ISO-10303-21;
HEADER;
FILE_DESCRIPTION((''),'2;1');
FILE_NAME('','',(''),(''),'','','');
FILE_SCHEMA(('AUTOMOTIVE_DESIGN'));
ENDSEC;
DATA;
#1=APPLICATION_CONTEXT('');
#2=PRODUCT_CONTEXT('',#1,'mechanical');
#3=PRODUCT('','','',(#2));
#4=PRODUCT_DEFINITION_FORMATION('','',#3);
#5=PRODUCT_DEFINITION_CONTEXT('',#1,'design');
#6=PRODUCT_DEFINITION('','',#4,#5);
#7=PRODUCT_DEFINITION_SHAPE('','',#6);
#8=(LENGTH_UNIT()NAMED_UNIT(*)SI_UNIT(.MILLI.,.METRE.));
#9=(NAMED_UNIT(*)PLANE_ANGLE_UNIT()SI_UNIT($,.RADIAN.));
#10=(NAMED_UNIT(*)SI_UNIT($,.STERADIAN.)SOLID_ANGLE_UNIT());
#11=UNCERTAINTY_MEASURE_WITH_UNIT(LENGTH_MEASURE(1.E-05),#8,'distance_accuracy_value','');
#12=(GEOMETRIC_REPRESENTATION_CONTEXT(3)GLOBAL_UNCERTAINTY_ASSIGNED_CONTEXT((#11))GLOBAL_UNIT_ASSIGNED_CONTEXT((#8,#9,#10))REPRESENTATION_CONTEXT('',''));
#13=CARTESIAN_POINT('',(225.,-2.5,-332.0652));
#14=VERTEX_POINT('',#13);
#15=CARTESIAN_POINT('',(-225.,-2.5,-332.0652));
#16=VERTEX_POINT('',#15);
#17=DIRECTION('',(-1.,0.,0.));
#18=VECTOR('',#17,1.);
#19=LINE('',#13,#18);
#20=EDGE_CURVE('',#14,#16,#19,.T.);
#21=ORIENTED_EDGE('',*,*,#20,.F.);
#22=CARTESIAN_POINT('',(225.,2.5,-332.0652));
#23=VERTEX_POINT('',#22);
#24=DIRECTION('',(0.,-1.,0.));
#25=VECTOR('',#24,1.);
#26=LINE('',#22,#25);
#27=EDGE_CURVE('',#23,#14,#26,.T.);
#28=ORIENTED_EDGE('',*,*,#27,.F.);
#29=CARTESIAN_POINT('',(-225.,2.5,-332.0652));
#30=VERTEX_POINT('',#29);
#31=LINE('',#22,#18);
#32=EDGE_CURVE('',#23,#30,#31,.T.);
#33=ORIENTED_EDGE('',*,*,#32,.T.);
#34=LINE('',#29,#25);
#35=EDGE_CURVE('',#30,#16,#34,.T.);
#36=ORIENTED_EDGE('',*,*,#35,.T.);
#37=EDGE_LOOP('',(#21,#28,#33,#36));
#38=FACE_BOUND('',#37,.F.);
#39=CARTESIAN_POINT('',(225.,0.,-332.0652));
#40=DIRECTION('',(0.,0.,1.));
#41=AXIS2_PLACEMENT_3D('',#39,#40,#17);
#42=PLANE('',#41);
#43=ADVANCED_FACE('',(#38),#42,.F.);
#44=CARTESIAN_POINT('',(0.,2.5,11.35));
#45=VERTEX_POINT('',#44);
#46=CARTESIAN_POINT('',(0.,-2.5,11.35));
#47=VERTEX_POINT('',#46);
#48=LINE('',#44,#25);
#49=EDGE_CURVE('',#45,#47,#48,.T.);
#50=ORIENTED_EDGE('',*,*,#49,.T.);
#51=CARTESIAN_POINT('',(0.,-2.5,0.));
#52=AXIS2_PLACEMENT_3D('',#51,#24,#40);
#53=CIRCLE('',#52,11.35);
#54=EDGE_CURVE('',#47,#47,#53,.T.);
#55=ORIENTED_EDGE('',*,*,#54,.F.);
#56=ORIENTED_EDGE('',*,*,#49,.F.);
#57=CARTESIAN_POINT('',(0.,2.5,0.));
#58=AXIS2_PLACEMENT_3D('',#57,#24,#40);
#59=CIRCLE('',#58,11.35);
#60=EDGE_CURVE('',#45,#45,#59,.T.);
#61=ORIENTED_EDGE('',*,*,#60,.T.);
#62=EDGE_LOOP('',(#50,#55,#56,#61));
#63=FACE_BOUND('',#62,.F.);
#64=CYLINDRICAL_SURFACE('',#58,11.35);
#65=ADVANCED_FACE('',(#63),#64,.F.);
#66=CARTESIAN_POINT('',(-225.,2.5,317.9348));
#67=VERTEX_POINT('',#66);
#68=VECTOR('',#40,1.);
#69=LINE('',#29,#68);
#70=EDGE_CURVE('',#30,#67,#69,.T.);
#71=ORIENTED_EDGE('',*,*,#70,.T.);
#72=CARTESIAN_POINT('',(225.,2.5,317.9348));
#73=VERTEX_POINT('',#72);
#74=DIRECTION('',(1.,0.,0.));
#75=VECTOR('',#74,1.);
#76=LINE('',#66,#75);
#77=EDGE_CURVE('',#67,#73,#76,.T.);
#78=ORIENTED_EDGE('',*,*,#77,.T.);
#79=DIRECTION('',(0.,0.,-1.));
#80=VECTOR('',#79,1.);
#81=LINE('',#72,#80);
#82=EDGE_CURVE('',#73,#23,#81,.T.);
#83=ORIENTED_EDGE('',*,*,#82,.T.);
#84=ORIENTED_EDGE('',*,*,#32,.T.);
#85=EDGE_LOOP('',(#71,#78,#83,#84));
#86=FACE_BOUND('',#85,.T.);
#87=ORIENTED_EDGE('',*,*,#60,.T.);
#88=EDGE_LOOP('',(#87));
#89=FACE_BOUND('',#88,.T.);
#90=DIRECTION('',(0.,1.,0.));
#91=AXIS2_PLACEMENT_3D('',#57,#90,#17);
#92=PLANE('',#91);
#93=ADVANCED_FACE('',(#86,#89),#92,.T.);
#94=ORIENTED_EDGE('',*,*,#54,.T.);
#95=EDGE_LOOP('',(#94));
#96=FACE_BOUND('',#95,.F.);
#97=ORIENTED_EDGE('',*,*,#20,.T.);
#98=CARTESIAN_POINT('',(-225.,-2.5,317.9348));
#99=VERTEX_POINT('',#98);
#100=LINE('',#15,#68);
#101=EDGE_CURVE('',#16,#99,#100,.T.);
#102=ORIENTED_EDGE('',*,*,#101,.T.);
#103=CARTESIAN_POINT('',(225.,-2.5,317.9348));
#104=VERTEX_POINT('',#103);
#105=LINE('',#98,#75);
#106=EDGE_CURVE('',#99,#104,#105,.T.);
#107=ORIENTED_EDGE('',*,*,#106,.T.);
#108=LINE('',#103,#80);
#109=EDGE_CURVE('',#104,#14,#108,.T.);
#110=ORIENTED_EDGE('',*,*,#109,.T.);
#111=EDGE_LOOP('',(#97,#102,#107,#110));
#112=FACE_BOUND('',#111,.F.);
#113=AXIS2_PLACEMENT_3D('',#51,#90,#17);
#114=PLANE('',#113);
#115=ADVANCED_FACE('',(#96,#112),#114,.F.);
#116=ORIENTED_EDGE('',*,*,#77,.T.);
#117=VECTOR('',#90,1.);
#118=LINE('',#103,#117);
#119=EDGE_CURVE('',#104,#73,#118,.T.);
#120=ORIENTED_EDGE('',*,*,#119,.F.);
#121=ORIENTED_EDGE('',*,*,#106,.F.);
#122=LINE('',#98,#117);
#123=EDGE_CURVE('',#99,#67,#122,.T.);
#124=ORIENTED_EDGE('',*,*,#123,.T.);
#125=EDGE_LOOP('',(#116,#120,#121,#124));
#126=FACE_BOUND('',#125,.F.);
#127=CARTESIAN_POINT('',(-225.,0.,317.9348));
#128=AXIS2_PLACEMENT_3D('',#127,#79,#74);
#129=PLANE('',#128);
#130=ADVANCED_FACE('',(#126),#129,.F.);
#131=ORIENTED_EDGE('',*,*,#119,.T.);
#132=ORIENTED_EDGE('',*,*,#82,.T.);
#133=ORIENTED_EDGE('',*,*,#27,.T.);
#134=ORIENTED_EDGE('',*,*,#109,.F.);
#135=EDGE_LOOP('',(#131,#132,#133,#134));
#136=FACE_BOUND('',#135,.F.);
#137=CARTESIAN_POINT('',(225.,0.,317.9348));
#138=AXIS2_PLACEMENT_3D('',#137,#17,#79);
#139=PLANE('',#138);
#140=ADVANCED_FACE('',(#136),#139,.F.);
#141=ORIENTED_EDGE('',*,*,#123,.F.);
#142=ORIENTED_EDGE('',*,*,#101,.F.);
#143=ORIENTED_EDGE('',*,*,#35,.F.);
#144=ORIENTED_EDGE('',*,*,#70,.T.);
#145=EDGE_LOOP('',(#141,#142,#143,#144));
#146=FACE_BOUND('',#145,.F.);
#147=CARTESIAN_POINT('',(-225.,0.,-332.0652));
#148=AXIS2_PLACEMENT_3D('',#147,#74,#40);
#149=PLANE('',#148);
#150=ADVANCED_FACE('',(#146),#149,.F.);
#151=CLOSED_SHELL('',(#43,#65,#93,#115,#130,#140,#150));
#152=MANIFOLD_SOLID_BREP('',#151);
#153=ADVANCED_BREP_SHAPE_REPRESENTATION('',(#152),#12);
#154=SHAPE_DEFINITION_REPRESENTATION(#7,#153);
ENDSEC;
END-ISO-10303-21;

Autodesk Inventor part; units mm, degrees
ref_plane "YZ Plane" through (0, 0, 0) normal (1, 0, 0) x (0, 1, 0)
ref_plane "XZ Plane" through (0, 0, 0) normal (0, 1, 0) x (-1, 0, 0)
ref_plane "XY Plane" through (0, 0, 0) normal (0, 0, 1) x (1, 0, 0)
sketch "Sketch1" plane through (0, 0, 0) normal (0, 1, 0) x (-1, 0, 0)
  line L0 (225, 317.9348) -> (-225, 317.9348)
  line L1 (-225, 317.9348) -> (-225, -332.0652)
  line L2 (-225, -332.0652) -> (225, -332.0652)
  line L3 (225, -332.0652) -> (225, 317.9348)
  point P0 (0, 0)
  dimension "d11" = 450
  dimension "d12" = 650
extrude "Extrusion1" add sketch "Sketch1" along normal mid plane 5
sketch "Sketch2" plane through (0, 2.5, 0) normal (0, 1, 0) x (1, 0, 0)
  point P0 (0, 0)
hole "Hole1" at (0, 2.5, 0) direction (0, -1, 0) diameter 22.7 end through all
properties part number "newbottom" material "PMMA Plastic"
